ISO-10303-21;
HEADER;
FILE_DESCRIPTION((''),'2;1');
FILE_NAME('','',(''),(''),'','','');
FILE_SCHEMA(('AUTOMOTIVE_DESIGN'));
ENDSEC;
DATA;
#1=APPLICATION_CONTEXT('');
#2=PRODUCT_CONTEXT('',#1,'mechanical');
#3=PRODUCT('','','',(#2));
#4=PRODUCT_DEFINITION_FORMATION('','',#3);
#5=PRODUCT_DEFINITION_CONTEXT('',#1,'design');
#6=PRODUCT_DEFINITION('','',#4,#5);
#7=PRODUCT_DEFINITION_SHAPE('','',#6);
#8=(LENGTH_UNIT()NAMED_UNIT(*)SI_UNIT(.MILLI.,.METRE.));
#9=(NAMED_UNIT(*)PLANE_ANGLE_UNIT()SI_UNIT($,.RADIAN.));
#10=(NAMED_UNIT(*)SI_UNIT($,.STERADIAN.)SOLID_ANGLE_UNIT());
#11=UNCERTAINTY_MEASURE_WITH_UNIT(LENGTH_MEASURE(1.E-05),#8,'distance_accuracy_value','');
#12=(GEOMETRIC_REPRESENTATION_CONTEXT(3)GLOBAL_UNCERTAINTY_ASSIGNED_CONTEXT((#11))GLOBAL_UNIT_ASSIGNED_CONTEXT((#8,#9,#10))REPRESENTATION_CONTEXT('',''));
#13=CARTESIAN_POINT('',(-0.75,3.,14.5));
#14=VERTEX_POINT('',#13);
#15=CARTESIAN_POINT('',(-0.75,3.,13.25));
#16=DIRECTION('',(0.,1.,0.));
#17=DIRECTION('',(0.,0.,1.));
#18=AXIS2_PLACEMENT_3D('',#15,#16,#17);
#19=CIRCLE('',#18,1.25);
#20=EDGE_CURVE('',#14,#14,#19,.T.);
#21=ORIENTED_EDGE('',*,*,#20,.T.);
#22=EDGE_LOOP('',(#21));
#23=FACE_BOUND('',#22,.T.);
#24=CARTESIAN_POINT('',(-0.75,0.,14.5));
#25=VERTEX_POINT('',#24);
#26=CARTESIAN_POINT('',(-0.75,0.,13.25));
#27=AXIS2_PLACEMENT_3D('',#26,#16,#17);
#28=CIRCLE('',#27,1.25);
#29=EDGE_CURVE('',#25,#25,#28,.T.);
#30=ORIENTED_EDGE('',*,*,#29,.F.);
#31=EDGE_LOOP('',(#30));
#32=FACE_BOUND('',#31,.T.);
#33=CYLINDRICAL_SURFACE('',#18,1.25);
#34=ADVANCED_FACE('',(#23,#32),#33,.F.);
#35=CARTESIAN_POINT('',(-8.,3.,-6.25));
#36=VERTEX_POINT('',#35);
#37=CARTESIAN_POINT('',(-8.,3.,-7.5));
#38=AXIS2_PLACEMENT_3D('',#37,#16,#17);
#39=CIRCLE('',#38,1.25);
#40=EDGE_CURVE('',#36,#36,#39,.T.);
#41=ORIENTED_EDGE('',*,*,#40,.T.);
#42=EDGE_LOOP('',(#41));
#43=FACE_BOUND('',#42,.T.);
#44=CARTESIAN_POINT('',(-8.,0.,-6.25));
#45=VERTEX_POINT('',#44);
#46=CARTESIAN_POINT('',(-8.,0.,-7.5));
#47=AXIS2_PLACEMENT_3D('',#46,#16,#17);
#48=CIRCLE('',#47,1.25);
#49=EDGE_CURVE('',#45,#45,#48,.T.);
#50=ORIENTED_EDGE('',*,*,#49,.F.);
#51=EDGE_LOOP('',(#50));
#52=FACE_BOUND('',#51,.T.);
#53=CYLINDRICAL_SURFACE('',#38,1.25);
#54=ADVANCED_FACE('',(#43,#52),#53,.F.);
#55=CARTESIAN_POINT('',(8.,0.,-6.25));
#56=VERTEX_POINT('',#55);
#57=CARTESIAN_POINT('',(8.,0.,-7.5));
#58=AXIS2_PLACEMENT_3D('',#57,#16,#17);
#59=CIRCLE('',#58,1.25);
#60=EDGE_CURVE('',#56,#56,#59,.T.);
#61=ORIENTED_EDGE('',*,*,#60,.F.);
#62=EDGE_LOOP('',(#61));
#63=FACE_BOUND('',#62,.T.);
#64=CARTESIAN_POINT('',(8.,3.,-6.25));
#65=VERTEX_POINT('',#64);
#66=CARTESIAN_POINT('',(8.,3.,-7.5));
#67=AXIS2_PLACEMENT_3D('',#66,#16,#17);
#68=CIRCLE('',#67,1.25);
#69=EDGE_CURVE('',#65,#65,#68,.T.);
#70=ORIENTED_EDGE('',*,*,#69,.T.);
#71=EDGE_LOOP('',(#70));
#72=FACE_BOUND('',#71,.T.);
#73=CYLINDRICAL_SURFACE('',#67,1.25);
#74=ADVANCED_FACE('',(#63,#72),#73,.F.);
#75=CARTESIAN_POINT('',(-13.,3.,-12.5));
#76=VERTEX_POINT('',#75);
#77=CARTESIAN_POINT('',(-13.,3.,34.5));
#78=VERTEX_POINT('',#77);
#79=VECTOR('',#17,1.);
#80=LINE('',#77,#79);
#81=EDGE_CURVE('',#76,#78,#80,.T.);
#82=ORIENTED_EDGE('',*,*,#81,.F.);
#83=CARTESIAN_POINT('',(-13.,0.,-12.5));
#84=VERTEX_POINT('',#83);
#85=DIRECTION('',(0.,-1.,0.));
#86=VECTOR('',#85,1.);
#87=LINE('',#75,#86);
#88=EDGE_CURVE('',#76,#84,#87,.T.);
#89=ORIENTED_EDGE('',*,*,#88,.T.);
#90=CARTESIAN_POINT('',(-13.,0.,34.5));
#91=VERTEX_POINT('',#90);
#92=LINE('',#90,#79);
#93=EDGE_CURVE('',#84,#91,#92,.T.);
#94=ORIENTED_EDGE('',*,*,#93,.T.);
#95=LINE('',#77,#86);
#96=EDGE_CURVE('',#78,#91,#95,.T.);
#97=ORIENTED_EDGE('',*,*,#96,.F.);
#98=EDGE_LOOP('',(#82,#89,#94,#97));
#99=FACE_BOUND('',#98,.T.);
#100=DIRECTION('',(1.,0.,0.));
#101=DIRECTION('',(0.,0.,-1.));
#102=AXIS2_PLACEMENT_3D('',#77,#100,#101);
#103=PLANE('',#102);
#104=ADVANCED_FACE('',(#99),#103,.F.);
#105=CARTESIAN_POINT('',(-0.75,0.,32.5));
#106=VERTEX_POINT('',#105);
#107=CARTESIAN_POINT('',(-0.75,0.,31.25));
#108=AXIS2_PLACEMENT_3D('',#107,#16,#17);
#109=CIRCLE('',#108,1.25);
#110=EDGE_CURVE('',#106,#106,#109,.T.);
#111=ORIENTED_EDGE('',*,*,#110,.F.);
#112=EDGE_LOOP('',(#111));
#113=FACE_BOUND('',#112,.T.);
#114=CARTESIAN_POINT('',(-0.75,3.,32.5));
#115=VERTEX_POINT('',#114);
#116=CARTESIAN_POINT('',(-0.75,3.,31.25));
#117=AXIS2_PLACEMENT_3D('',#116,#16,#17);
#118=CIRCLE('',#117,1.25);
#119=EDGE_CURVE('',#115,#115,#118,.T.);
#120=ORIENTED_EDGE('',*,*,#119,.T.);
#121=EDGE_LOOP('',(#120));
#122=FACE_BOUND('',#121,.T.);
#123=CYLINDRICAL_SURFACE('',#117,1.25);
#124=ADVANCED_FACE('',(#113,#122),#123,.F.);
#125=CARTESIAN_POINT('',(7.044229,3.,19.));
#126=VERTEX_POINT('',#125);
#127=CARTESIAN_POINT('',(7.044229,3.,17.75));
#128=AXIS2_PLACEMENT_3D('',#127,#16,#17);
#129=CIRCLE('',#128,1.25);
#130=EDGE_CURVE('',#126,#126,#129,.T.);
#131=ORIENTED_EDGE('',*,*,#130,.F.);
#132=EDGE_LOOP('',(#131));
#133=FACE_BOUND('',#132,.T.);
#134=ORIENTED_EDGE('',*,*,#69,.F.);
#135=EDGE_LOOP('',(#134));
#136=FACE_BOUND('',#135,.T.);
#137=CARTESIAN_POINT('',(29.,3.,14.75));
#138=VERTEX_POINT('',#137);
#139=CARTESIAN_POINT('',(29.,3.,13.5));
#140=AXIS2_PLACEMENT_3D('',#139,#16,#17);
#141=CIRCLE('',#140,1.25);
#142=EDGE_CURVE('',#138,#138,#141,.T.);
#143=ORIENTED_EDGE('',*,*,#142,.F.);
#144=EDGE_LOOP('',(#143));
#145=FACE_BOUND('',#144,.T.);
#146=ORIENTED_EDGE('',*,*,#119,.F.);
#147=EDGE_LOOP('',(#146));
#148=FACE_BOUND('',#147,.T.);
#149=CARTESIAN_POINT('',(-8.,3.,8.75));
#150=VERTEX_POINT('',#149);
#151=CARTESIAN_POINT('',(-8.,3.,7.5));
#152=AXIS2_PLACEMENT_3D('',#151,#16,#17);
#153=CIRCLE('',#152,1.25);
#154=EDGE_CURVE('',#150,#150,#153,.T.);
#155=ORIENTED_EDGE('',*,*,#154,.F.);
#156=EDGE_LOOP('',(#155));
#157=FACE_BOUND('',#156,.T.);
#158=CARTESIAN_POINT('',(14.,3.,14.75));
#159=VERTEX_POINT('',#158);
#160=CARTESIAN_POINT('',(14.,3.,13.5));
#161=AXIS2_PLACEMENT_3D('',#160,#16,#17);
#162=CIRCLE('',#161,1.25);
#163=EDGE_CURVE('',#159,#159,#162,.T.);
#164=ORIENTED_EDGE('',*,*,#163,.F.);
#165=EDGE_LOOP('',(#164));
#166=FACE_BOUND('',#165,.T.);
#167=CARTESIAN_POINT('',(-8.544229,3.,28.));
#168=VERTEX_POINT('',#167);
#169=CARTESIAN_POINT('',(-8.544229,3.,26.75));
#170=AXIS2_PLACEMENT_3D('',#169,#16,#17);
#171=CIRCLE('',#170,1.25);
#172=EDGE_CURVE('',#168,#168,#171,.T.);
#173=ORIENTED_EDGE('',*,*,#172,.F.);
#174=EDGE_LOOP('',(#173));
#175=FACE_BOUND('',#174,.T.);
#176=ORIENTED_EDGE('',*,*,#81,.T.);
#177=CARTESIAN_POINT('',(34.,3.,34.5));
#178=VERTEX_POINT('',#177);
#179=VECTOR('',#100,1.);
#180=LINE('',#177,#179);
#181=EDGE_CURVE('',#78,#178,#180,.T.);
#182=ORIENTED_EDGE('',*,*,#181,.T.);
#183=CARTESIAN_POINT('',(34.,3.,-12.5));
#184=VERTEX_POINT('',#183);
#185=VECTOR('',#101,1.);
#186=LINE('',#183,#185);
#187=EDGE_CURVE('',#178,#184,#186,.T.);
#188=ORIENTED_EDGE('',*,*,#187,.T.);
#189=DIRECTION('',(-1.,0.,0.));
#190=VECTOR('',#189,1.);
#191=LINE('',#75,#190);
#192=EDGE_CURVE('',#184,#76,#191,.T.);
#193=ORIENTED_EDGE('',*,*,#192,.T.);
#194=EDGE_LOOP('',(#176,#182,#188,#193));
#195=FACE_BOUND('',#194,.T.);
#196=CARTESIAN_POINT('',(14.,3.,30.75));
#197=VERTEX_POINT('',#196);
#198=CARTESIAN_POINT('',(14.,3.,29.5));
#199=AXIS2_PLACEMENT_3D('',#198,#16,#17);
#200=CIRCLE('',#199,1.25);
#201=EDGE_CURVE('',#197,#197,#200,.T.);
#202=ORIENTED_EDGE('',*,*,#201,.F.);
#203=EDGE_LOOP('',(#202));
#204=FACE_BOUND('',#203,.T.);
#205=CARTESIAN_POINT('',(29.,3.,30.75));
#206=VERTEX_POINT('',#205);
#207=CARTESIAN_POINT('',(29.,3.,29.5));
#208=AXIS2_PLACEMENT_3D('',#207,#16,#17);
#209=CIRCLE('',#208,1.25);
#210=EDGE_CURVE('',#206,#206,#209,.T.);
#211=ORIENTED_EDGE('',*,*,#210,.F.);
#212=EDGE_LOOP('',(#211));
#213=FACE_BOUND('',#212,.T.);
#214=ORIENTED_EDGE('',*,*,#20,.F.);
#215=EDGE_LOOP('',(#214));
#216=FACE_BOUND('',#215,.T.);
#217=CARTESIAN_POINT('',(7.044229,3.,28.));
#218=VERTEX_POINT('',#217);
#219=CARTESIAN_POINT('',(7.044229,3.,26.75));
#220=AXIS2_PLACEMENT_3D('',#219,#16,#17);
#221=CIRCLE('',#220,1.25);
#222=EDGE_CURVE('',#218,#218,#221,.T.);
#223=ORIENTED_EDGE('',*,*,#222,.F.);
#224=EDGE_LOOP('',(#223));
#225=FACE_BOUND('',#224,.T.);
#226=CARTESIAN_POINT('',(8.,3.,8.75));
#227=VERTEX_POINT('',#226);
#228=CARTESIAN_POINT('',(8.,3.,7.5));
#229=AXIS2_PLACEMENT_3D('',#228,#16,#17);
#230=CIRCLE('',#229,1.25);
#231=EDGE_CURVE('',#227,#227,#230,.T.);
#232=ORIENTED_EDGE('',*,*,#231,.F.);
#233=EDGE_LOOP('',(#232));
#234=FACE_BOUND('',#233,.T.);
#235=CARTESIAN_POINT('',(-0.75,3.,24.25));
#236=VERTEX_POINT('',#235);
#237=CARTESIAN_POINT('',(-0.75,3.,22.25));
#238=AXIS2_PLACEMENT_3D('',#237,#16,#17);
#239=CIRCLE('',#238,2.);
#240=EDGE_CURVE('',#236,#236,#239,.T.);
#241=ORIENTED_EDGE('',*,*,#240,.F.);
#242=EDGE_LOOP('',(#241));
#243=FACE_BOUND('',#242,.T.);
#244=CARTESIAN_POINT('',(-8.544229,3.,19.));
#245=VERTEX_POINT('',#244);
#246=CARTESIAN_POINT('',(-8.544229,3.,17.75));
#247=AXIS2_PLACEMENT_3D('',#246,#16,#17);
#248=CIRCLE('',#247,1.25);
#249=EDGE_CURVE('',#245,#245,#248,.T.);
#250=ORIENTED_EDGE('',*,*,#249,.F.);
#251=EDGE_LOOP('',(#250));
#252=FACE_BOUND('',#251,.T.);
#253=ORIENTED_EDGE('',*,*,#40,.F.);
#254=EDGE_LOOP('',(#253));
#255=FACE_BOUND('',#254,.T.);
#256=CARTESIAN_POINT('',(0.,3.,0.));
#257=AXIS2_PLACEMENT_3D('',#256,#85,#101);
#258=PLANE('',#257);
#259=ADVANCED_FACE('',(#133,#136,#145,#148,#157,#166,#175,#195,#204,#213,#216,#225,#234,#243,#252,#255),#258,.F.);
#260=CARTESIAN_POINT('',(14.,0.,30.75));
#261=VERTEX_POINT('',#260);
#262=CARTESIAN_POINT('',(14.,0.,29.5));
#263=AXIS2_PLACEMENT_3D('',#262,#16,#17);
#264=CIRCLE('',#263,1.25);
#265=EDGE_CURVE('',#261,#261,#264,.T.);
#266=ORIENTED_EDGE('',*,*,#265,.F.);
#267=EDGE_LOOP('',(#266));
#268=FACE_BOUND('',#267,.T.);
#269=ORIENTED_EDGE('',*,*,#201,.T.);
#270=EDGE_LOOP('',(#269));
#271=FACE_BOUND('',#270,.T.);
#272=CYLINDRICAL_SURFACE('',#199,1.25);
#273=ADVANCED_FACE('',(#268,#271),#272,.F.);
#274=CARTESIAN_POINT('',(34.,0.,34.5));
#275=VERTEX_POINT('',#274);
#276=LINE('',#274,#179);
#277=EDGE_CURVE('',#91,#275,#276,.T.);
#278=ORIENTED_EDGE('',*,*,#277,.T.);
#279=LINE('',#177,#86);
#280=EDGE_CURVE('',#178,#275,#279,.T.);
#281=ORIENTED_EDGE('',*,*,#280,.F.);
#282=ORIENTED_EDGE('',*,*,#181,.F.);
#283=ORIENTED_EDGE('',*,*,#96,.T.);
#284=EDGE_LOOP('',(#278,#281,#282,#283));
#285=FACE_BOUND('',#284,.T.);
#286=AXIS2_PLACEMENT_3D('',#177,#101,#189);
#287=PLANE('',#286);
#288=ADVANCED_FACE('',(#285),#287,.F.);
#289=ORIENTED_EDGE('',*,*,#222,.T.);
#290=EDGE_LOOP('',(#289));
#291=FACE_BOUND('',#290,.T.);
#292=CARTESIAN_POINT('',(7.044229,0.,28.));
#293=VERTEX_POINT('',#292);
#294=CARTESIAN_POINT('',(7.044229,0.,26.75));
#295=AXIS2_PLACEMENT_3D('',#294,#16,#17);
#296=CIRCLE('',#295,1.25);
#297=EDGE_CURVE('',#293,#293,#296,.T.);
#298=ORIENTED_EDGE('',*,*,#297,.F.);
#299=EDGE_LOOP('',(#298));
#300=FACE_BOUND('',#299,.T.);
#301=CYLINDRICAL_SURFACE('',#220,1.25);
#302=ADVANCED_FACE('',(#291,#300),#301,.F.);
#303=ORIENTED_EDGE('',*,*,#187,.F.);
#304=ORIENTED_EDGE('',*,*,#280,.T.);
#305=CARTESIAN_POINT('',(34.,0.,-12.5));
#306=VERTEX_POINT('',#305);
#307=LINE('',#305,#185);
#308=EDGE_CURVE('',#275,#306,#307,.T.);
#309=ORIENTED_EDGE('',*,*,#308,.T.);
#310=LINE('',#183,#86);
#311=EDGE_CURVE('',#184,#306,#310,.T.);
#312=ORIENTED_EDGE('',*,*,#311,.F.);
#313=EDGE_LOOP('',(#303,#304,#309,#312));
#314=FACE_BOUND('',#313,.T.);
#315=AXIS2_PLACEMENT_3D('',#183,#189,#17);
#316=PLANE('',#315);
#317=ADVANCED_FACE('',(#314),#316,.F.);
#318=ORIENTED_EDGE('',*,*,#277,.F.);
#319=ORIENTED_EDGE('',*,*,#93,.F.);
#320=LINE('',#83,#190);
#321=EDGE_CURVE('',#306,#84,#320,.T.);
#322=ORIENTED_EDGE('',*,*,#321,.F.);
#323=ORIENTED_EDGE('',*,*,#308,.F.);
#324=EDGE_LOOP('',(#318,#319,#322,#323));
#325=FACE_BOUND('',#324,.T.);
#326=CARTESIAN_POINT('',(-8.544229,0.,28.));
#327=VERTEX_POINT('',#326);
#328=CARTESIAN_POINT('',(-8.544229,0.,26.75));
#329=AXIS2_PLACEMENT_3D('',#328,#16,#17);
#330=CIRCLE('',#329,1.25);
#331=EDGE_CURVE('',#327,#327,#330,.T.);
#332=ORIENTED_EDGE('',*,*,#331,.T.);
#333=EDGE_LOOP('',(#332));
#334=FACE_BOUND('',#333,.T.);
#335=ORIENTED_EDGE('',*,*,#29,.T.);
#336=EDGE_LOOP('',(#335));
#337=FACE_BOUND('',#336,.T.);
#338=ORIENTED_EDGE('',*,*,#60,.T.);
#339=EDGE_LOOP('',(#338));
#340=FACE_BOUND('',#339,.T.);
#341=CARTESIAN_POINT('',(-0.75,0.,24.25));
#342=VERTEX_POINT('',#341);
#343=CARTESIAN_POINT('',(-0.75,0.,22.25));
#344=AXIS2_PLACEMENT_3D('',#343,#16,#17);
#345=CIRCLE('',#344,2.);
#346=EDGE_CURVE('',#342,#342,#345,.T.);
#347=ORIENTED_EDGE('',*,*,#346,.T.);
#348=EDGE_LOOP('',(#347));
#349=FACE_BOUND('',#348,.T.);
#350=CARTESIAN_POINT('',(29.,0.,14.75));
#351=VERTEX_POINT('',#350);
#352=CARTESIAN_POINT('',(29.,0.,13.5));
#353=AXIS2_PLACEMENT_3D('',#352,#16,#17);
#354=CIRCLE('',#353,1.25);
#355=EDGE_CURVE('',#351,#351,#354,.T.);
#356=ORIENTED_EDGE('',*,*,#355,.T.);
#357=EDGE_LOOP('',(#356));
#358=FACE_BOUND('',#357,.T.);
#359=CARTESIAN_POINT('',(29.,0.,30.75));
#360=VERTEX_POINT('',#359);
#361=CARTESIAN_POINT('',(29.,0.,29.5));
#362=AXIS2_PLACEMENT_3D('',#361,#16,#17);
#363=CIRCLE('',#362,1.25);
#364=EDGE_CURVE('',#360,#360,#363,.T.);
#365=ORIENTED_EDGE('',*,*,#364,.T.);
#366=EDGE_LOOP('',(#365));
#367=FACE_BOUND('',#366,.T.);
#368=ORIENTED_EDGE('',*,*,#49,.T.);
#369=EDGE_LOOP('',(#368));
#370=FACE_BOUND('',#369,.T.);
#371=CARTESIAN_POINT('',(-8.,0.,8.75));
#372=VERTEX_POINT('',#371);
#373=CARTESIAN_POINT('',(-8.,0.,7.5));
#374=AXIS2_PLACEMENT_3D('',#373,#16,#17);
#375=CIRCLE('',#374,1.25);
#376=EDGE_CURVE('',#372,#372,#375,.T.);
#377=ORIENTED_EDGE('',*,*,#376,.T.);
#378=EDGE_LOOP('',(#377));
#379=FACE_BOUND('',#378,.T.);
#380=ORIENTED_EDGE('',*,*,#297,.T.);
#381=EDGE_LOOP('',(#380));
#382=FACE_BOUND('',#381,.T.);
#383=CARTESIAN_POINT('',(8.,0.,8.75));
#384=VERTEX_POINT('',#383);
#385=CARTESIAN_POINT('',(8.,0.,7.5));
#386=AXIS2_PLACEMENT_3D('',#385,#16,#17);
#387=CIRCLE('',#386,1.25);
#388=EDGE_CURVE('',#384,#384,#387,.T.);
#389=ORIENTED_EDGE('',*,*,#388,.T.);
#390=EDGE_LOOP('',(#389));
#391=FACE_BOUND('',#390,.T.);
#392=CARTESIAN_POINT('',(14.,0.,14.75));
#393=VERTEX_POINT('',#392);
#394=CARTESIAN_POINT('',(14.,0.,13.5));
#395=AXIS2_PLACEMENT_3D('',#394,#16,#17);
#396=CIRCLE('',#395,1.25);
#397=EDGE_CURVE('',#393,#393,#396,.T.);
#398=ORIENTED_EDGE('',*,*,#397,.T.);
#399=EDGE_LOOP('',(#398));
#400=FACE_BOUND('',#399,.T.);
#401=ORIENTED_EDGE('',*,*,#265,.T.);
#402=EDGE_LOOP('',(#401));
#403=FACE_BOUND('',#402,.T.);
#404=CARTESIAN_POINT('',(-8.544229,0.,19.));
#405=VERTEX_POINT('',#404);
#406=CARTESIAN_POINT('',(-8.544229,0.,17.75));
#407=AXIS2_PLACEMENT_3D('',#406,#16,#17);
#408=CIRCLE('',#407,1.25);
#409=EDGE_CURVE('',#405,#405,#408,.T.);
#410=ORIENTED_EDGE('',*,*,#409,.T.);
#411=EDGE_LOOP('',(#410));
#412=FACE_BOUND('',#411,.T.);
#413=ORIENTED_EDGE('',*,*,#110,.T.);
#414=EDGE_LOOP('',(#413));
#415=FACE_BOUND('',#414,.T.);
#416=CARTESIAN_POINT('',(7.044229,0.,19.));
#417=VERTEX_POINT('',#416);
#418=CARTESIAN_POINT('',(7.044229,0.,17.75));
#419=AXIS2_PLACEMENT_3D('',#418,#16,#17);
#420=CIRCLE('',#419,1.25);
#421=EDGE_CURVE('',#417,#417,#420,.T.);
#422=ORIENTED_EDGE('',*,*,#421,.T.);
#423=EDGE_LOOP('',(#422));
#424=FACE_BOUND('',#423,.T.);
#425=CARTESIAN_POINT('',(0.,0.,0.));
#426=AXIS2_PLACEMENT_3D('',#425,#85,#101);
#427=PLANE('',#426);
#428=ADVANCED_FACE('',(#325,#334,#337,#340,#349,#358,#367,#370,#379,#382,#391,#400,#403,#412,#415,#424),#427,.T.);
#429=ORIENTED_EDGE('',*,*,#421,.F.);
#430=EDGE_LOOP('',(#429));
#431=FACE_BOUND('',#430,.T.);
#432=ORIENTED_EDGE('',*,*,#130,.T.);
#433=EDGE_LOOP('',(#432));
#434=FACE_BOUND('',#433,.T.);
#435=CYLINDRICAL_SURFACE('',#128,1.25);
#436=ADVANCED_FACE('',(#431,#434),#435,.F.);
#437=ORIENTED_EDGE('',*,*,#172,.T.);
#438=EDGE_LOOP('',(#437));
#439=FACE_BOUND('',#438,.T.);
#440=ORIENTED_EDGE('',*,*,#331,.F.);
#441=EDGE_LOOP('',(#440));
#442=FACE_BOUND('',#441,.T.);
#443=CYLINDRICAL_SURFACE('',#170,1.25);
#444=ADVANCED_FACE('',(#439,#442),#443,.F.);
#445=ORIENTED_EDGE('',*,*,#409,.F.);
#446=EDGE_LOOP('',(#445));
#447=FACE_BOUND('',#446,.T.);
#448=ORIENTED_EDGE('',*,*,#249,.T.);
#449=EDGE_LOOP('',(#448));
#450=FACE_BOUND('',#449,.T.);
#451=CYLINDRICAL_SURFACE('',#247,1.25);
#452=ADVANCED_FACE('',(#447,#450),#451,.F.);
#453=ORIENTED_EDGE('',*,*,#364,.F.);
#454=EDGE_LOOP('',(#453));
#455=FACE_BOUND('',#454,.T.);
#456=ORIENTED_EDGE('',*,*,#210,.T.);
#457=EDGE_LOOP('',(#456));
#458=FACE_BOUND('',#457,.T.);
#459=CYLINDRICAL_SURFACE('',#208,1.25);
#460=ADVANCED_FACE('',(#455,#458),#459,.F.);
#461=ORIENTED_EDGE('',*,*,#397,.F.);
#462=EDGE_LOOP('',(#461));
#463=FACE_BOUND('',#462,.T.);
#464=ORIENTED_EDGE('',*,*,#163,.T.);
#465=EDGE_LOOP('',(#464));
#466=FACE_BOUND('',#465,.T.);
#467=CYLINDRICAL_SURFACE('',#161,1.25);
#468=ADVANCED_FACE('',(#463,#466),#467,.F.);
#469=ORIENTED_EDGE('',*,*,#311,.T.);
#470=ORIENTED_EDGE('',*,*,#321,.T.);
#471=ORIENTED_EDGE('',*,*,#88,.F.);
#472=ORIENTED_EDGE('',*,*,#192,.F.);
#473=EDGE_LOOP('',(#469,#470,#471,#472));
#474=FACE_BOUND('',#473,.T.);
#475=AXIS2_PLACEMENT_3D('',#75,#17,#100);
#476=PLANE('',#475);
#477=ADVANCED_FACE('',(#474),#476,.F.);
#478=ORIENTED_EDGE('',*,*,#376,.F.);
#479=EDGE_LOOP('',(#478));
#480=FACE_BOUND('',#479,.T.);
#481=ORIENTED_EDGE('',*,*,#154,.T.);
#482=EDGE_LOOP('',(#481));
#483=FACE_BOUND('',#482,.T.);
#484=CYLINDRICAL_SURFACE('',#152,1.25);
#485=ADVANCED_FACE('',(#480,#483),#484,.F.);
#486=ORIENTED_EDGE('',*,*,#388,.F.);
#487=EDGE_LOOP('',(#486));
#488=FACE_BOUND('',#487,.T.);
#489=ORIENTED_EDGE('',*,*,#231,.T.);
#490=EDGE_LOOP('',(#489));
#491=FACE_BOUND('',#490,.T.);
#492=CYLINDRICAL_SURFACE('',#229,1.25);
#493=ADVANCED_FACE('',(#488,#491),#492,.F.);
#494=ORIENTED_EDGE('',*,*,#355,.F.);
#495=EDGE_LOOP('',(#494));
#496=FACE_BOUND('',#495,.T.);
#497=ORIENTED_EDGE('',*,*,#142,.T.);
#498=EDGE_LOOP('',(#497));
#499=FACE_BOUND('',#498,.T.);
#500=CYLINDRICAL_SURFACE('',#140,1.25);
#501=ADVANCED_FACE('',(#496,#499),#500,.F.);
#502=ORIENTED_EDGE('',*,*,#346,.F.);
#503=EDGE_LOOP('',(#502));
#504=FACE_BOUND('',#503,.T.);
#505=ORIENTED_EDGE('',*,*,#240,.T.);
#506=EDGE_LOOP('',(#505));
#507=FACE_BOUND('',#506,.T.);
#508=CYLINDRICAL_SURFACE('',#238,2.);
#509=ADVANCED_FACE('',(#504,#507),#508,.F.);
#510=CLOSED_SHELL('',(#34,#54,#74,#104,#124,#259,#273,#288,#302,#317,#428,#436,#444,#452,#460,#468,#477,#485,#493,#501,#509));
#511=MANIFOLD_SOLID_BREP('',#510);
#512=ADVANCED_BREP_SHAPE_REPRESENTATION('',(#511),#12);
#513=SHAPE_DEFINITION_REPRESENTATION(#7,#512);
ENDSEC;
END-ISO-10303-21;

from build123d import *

# Parameters (mm, degrees)
SKETCH1_W                   = 47
SKETCH1_H                   = 47
BOSS_EXTRUDE1_DEPTH         = 3
TAP_DRILL_FOR_M3X0_5_TAP1_D = 2.5
TAP_DRILL_FOR_M3X0_5_TAP2_D = 2.5
F_4_0_4_DIAMETER_HOLE1_D    = 4


with BuildPart() as part:
    # Sketch1 → Boss-Extrude1 (new body)
    with BuildSketch(Plane(origin=(0, 0, 0), x_dir=(1, 0, 0), z_dir=(0, 1, 0))):
        with Locations((10.5, -11)):
            Rectangle(SKETCH1_W, SKETCH1_H)
    extrude(amount=BOSS_EXTRUDE1_DEPTH)

    # Tap Drill for M3x0.5 Tap1 (through all)
    with Locations(Plane(origin=(0, 3, 0), x_dir=(1, 0, 0), z_dir=(0, 1, 0))):
        with Locations((-8, 7.5), (8, 7.5), (8, -7.5), (-8, -7.5), (14, -13.5), (29, -13.5), (29, -29.5), (14, -29.5)):
            Hole(TAP_DRILL_FOR_M3X0_5_TAP1_D / 2)

    # Tap Drill for M3x0.5 Tap2 (through all)
    with Locations(Plane(origin=(0, 3, 0), x_dir=(1, 0, 0), z_dir=(0, 1, 0))):
        with Locations((-0.75, -13.25), (-8.544228634, -17.75), (-8.544228634, -26.75), (-0.75, -31.25), (7.044228634, -26.75), (7.044228634, -17.75)):
            Hole(TAP_DRILL_FOR_M3X0_5_TAP2_D / 2)

    # Ø4.0 (4) Diameter Hole1 (through all)
    with Locations(Plane(origin=(0, 3, 0), x_dir=(1, 0, 0), z_dir=(0, 1, 0))):
        with Locations((-0.75, -22.25)):
            Hole(F_4_0_4_DIAMETER_HOLE1_D / 2)


solid = part.part
